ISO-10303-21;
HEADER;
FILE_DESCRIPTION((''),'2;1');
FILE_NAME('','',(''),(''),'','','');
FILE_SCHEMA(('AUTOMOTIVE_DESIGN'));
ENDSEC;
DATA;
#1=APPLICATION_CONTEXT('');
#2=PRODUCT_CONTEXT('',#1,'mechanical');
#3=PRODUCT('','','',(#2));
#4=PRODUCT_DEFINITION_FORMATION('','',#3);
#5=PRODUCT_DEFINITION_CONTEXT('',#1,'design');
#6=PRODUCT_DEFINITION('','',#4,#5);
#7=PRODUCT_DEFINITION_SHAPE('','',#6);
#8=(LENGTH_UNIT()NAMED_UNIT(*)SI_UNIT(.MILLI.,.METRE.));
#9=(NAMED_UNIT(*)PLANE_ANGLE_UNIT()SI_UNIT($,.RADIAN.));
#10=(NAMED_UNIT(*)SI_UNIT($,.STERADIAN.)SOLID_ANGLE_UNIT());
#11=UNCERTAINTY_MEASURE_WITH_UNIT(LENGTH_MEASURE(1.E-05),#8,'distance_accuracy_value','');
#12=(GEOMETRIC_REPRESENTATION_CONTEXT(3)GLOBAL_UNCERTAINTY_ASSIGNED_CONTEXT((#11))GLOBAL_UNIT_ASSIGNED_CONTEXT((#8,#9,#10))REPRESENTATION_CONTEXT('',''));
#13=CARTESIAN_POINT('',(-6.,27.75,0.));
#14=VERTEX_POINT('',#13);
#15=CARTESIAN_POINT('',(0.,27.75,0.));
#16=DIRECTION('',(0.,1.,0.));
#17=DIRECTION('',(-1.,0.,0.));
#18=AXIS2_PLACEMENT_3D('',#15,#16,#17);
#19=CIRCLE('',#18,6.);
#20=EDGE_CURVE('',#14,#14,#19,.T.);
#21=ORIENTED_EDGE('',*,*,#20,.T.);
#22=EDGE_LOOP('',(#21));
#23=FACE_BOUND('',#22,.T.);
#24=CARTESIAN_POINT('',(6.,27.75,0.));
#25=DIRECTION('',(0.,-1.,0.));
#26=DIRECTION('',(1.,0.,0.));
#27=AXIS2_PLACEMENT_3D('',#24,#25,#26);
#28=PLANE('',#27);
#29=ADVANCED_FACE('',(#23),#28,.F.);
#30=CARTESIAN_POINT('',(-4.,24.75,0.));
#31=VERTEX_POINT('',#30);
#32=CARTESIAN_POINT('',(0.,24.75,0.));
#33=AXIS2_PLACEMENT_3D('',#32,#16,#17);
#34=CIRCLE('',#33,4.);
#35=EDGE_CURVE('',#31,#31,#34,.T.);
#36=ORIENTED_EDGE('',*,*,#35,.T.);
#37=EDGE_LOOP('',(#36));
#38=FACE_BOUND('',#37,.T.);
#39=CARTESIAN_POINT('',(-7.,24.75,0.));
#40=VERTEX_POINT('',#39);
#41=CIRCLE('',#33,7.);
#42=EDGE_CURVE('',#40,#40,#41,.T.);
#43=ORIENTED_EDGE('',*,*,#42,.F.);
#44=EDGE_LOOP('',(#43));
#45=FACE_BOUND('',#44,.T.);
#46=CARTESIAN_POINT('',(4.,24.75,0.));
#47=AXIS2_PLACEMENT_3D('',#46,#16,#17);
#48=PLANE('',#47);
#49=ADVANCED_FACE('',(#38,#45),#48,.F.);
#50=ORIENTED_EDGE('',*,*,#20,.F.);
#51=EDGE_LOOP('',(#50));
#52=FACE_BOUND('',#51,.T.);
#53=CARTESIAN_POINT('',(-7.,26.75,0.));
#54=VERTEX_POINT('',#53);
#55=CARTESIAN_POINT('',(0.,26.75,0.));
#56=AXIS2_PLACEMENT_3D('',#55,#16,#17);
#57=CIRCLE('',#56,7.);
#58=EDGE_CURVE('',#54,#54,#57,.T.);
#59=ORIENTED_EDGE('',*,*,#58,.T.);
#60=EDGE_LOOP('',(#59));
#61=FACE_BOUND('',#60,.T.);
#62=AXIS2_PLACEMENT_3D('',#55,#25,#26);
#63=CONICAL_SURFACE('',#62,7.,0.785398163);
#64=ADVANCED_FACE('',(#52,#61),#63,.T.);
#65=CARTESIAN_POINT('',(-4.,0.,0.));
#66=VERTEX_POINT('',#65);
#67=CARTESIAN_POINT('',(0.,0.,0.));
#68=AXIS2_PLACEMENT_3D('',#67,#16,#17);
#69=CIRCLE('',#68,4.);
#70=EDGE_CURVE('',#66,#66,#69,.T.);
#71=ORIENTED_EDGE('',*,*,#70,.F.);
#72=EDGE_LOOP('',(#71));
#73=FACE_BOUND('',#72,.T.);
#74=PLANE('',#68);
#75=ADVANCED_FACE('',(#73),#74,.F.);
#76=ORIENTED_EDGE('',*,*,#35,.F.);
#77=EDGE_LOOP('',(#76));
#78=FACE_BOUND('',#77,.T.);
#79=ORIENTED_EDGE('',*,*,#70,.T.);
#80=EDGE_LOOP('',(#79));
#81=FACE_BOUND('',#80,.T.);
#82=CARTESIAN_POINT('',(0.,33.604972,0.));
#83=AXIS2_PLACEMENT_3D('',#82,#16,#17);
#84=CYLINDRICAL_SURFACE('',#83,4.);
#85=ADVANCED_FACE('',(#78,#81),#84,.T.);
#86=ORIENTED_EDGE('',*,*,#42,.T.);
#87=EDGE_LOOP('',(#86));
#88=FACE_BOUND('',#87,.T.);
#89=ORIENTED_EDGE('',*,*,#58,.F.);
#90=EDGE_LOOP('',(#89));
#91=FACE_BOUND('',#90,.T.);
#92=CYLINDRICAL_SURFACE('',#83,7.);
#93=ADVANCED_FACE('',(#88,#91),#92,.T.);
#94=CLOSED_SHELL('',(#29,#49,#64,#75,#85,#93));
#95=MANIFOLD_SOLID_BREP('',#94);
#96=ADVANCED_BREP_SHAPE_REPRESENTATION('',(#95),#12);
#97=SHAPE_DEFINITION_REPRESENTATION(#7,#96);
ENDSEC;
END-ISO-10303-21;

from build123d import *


with BuildPart() as part:
    # Sketch1 → Revolve1 (revolve)
    with BuildSketch(Plane.XY, mode=Mode.PRIVATE) as revolve1_sk:
        Polygon((0, 0), (4, 0), (4, 24.75), (7, 24.75), (7, 26.75), (6, 27.75), (0, 27.75), align=None)
    revolve(revolve1_sk.sketch.rotate(Axis((0, 33.604972013, 0), (0, -1, 0)), 180), axis=Axis((0, 33.604972013, 0), (0, -1, 0)))


solid = part.part
